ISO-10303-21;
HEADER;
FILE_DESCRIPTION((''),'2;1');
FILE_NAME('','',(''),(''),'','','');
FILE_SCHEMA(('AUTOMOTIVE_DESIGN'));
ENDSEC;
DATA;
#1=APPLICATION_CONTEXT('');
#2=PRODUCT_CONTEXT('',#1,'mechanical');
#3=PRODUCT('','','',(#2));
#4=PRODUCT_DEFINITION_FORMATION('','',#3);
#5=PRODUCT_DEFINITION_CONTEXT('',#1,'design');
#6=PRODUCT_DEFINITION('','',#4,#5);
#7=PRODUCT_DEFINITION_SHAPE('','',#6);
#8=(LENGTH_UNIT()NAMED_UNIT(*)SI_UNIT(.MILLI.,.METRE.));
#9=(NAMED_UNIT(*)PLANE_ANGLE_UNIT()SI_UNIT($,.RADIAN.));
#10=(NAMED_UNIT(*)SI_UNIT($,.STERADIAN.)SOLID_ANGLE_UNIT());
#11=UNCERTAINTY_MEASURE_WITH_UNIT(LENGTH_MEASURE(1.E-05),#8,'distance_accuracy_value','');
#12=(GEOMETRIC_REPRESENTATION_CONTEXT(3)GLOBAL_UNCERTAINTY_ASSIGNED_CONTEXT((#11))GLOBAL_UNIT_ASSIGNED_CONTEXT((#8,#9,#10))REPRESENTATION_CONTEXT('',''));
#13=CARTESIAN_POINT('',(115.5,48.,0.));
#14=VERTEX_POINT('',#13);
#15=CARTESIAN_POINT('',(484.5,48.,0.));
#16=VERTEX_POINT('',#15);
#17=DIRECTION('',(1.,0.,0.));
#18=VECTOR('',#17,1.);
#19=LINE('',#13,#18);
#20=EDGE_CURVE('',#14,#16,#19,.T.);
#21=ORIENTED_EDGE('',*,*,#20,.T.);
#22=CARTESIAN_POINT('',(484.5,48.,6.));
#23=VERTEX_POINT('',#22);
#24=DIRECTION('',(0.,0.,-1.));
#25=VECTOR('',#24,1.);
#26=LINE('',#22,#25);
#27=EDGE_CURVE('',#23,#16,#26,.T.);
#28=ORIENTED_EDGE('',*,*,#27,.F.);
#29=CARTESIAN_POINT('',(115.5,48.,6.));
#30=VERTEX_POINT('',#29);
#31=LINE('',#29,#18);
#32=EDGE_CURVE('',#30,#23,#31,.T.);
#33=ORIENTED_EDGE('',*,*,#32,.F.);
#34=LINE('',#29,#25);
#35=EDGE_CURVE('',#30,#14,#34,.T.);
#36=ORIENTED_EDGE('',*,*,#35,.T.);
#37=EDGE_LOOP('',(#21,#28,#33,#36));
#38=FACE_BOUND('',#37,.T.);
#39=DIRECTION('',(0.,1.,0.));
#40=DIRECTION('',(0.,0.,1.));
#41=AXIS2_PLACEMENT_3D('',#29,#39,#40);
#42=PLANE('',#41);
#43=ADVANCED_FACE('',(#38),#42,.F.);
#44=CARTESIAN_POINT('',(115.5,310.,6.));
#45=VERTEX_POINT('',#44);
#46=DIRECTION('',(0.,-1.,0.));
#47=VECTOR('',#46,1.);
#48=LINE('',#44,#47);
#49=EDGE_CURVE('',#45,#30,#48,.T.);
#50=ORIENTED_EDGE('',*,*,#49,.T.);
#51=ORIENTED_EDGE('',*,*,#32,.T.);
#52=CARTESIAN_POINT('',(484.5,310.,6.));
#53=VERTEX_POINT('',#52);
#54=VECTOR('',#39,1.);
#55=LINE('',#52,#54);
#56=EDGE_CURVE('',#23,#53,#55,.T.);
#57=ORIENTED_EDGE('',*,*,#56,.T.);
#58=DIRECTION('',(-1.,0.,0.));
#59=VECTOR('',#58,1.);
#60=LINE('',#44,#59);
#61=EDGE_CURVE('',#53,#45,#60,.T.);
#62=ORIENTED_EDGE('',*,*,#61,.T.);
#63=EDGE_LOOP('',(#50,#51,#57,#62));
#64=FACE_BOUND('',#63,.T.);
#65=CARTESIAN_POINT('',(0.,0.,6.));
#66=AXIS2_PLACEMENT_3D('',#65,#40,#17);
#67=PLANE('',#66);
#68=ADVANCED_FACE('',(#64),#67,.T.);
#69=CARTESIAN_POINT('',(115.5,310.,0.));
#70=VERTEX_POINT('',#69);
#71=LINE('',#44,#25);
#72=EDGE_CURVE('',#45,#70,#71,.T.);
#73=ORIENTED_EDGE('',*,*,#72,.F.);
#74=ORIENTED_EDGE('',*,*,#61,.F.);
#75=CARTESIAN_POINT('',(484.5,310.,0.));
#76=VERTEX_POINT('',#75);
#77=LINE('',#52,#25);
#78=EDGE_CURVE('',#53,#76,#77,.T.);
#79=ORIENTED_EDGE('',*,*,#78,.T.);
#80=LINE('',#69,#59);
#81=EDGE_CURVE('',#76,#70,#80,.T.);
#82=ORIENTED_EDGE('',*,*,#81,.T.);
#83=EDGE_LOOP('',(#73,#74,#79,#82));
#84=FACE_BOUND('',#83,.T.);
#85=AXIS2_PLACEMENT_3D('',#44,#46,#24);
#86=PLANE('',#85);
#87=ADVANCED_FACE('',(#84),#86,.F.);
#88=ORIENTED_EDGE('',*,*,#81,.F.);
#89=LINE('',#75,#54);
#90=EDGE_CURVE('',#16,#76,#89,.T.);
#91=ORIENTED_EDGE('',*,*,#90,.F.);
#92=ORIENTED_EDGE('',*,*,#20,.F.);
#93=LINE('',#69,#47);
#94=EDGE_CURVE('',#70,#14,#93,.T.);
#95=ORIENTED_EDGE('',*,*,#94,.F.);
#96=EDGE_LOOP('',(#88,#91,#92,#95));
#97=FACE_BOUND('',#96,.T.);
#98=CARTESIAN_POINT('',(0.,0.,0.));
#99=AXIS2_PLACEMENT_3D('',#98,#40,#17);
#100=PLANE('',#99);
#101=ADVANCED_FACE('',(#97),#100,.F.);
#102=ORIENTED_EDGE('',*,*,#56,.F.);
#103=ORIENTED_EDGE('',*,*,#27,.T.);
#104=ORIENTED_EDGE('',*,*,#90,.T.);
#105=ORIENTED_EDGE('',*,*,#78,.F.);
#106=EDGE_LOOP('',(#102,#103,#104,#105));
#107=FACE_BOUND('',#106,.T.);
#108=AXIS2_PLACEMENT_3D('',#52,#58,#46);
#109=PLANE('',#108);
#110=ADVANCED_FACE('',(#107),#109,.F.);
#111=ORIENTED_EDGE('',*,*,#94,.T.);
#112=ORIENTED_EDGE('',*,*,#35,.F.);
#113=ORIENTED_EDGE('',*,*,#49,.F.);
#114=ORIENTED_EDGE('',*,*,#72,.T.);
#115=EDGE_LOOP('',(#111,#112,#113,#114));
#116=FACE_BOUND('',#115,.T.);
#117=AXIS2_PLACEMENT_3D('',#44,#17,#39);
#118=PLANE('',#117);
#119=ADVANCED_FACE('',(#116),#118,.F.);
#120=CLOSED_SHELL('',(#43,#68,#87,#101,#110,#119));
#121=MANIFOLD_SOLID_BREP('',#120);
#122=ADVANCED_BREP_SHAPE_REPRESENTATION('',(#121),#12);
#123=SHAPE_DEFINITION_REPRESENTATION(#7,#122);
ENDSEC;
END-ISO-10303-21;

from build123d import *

# Parameters (mm, degrees)
SKETCH_1_W      = 369
SKETCH_1_H      = 262
EXTRUDE_1_DEPTH = 6


with BuildPart() as part:
    # Эскиз1 → Бобышка-Вытянуть1 (new body)
    with BuildSketch(Plane.XY):
        with Locations((300, 179)):
            Rectangle(SKETCH_1_W, SKETCH_1_H)
    extrude(amount=EXTRUDE_1_DEPTH)


solid = part.part
